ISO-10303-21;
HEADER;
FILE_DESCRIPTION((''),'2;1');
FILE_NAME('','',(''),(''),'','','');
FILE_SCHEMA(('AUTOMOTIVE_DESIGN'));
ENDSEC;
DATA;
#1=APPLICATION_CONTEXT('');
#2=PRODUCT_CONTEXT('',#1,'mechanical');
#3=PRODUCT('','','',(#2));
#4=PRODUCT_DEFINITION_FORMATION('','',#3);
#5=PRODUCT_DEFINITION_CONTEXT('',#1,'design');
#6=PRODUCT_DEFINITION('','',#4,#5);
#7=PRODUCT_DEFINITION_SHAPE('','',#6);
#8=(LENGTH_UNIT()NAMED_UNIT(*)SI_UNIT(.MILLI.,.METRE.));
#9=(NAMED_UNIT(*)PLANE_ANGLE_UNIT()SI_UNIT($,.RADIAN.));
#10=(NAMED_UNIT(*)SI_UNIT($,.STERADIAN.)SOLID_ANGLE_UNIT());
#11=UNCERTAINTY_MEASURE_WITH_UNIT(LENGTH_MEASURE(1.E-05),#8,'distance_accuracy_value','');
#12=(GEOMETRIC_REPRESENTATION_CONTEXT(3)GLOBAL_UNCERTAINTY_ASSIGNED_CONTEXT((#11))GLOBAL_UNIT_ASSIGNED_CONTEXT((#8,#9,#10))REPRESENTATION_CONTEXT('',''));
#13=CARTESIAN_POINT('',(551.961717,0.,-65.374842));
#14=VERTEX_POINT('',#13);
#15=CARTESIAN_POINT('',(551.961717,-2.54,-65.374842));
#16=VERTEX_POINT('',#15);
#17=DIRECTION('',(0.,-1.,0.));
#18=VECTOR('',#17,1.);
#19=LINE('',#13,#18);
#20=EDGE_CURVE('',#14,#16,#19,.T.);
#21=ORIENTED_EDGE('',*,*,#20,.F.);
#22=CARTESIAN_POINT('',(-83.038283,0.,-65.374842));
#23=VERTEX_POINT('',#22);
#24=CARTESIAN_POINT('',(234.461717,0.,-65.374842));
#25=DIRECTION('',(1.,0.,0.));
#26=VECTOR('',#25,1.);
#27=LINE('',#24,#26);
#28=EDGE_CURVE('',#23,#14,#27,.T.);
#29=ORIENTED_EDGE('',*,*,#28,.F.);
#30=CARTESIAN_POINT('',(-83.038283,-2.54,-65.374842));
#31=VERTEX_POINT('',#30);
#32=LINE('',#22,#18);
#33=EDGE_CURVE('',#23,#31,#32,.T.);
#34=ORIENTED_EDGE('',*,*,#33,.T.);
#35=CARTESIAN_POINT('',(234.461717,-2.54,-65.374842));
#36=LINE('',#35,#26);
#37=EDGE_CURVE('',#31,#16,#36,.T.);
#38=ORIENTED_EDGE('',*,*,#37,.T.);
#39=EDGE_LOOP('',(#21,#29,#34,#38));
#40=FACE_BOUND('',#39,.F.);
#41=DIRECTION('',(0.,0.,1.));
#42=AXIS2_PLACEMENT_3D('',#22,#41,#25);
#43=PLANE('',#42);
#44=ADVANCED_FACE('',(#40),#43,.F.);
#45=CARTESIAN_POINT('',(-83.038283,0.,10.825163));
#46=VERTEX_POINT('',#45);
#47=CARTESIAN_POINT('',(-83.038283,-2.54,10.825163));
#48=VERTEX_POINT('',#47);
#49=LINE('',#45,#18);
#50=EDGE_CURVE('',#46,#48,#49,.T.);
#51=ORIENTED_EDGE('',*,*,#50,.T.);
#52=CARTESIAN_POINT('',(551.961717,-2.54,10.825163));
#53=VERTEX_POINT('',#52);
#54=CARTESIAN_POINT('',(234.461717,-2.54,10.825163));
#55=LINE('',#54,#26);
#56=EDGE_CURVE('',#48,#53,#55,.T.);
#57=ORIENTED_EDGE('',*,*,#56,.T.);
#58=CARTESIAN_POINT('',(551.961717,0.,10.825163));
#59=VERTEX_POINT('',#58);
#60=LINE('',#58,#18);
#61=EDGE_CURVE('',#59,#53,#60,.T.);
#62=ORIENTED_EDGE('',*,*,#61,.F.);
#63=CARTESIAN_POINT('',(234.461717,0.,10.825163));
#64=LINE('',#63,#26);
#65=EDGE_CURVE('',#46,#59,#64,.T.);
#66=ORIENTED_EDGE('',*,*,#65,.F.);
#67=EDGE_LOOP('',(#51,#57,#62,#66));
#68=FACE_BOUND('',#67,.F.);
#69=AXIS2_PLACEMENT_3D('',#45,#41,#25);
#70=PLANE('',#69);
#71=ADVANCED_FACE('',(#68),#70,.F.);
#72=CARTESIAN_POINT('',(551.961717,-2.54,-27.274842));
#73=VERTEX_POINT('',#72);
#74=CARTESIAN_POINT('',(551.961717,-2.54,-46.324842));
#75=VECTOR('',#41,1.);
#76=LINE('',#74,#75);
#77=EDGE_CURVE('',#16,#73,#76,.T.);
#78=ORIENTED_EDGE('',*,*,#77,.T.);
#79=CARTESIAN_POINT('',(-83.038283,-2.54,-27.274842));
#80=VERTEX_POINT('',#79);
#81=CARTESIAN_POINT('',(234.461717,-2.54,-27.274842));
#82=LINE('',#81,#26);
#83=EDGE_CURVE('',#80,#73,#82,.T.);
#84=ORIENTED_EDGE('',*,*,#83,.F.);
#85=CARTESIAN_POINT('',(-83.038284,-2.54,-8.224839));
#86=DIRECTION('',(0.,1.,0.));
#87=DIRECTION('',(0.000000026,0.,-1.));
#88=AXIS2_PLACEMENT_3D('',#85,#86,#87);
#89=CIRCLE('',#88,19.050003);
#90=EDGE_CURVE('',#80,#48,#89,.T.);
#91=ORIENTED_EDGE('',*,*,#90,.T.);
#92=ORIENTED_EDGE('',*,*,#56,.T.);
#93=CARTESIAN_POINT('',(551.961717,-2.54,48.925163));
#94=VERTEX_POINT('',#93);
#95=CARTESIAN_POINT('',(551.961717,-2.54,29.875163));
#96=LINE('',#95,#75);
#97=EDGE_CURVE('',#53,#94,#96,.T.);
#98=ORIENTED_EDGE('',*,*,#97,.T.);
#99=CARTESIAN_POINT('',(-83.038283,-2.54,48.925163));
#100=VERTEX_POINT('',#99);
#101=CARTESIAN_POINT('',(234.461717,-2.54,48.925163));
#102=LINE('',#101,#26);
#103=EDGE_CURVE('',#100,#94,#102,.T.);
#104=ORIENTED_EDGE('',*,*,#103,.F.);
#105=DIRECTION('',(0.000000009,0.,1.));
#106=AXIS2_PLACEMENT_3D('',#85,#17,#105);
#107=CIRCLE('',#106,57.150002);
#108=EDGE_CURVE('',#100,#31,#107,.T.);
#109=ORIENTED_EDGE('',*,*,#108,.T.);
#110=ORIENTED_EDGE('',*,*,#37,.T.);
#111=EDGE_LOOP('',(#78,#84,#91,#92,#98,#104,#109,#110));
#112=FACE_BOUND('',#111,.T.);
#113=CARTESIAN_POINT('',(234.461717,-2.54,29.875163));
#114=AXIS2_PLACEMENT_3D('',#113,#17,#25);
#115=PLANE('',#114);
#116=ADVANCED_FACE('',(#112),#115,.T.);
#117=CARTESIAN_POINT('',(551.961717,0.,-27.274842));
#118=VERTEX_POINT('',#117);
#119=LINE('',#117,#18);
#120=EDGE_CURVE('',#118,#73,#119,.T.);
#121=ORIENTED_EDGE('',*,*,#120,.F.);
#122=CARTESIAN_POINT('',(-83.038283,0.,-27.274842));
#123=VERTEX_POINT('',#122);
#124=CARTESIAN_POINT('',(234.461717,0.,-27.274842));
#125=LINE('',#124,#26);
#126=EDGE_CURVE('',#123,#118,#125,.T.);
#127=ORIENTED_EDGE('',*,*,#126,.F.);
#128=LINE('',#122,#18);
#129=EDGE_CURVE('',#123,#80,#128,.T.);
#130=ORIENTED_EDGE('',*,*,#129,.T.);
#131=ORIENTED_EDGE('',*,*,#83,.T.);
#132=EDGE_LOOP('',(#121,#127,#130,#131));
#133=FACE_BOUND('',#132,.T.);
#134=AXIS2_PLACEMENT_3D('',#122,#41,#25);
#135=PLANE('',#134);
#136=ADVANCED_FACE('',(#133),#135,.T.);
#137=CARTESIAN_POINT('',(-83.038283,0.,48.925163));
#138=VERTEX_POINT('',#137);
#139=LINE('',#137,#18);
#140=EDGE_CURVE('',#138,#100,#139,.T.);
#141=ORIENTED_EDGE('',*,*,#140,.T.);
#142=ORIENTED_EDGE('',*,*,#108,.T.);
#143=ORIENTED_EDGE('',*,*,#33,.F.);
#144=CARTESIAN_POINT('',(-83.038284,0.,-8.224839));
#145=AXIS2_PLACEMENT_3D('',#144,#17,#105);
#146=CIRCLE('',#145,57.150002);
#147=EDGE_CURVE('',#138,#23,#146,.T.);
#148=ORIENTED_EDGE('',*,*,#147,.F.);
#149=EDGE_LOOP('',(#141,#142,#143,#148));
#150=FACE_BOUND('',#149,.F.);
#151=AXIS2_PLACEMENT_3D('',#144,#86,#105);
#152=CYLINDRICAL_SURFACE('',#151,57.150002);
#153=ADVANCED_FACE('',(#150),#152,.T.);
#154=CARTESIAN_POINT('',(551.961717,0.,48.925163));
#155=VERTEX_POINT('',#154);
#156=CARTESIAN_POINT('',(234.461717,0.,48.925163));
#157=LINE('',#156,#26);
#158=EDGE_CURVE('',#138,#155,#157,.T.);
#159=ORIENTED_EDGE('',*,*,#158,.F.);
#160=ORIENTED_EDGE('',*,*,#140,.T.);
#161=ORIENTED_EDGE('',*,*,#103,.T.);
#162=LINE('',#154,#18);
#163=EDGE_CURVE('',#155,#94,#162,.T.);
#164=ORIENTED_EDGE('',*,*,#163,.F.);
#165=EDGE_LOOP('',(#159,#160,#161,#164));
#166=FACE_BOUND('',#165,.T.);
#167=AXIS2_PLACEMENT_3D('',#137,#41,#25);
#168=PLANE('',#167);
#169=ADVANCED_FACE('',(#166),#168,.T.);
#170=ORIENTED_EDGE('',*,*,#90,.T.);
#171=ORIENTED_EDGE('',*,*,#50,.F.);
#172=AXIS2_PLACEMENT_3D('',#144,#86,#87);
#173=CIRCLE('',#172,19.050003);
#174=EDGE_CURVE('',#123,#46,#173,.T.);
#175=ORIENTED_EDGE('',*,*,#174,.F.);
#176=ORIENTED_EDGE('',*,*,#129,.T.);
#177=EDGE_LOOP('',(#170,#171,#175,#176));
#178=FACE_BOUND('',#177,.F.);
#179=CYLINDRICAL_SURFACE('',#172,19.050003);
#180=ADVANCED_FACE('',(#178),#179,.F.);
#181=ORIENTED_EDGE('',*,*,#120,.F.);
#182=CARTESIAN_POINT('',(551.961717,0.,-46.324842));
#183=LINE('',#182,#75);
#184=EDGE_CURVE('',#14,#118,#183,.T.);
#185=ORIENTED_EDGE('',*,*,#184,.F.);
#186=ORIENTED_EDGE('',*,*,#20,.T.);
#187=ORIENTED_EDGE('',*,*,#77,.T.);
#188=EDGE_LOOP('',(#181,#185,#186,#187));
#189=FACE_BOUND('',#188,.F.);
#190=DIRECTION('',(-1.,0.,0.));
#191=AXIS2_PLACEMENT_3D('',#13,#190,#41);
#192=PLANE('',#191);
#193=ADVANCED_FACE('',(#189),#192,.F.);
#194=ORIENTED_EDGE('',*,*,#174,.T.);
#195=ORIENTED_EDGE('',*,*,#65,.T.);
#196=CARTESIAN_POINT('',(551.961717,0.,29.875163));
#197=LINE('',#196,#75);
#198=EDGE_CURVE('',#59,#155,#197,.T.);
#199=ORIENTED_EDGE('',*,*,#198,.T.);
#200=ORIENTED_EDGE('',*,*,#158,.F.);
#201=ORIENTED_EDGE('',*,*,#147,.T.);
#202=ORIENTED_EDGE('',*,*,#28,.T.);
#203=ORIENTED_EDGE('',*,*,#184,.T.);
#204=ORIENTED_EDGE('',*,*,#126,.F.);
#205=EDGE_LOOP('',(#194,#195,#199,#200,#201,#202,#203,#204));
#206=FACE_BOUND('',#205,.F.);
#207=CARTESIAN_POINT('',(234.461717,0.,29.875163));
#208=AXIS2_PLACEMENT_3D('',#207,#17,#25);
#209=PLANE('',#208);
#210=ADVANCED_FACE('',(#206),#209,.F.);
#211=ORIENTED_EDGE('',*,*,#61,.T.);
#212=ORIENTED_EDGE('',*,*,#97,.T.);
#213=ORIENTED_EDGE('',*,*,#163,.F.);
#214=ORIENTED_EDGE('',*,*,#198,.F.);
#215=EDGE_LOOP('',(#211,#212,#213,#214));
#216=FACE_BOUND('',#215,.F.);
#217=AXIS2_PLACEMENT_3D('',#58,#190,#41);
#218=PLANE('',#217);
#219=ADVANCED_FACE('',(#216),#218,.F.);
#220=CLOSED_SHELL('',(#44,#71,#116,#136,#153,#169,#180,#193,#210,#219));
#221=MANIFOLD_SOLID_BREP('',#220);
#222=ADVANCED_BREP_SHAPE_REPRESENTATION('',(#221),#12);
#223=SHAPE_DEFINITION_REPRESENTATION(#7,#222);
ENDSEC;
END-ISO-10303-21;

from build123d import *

# Parameters (mm, degrees)
F0_W     = 635
F0_H     = 38.1
F1_DEPTH = 2.54


with BuildPart() as f1:
    # F0 (on Front) → F1 (new body)
    with BuildSketch(Plane.XZ):
        with Locations((234.461717, 29.875163)):
            Rectangle(F0_W, F0_H)
        with BuildLine():
            Line((-83.038283, 10.825163), (-83.038283, 48.925163))
            ThreePointArc((-83.038283, 48.925163), (-140.188286, -8.224839), (-83.038283, -65.374842))
            Line((-83.038283, -65.374842), (-83.038283, -27.274842))
            ThreePointArc((-83.038283, -27.274842), (-102.088286, -8.224839), (-83.038283, 10.825163))
        make_face()
        with Locations((234.461717, -46.324842)):
            Rectangle(F0_W, F0_H)
    extrude(amount=F1_DEPTH)


solid = f1.part
